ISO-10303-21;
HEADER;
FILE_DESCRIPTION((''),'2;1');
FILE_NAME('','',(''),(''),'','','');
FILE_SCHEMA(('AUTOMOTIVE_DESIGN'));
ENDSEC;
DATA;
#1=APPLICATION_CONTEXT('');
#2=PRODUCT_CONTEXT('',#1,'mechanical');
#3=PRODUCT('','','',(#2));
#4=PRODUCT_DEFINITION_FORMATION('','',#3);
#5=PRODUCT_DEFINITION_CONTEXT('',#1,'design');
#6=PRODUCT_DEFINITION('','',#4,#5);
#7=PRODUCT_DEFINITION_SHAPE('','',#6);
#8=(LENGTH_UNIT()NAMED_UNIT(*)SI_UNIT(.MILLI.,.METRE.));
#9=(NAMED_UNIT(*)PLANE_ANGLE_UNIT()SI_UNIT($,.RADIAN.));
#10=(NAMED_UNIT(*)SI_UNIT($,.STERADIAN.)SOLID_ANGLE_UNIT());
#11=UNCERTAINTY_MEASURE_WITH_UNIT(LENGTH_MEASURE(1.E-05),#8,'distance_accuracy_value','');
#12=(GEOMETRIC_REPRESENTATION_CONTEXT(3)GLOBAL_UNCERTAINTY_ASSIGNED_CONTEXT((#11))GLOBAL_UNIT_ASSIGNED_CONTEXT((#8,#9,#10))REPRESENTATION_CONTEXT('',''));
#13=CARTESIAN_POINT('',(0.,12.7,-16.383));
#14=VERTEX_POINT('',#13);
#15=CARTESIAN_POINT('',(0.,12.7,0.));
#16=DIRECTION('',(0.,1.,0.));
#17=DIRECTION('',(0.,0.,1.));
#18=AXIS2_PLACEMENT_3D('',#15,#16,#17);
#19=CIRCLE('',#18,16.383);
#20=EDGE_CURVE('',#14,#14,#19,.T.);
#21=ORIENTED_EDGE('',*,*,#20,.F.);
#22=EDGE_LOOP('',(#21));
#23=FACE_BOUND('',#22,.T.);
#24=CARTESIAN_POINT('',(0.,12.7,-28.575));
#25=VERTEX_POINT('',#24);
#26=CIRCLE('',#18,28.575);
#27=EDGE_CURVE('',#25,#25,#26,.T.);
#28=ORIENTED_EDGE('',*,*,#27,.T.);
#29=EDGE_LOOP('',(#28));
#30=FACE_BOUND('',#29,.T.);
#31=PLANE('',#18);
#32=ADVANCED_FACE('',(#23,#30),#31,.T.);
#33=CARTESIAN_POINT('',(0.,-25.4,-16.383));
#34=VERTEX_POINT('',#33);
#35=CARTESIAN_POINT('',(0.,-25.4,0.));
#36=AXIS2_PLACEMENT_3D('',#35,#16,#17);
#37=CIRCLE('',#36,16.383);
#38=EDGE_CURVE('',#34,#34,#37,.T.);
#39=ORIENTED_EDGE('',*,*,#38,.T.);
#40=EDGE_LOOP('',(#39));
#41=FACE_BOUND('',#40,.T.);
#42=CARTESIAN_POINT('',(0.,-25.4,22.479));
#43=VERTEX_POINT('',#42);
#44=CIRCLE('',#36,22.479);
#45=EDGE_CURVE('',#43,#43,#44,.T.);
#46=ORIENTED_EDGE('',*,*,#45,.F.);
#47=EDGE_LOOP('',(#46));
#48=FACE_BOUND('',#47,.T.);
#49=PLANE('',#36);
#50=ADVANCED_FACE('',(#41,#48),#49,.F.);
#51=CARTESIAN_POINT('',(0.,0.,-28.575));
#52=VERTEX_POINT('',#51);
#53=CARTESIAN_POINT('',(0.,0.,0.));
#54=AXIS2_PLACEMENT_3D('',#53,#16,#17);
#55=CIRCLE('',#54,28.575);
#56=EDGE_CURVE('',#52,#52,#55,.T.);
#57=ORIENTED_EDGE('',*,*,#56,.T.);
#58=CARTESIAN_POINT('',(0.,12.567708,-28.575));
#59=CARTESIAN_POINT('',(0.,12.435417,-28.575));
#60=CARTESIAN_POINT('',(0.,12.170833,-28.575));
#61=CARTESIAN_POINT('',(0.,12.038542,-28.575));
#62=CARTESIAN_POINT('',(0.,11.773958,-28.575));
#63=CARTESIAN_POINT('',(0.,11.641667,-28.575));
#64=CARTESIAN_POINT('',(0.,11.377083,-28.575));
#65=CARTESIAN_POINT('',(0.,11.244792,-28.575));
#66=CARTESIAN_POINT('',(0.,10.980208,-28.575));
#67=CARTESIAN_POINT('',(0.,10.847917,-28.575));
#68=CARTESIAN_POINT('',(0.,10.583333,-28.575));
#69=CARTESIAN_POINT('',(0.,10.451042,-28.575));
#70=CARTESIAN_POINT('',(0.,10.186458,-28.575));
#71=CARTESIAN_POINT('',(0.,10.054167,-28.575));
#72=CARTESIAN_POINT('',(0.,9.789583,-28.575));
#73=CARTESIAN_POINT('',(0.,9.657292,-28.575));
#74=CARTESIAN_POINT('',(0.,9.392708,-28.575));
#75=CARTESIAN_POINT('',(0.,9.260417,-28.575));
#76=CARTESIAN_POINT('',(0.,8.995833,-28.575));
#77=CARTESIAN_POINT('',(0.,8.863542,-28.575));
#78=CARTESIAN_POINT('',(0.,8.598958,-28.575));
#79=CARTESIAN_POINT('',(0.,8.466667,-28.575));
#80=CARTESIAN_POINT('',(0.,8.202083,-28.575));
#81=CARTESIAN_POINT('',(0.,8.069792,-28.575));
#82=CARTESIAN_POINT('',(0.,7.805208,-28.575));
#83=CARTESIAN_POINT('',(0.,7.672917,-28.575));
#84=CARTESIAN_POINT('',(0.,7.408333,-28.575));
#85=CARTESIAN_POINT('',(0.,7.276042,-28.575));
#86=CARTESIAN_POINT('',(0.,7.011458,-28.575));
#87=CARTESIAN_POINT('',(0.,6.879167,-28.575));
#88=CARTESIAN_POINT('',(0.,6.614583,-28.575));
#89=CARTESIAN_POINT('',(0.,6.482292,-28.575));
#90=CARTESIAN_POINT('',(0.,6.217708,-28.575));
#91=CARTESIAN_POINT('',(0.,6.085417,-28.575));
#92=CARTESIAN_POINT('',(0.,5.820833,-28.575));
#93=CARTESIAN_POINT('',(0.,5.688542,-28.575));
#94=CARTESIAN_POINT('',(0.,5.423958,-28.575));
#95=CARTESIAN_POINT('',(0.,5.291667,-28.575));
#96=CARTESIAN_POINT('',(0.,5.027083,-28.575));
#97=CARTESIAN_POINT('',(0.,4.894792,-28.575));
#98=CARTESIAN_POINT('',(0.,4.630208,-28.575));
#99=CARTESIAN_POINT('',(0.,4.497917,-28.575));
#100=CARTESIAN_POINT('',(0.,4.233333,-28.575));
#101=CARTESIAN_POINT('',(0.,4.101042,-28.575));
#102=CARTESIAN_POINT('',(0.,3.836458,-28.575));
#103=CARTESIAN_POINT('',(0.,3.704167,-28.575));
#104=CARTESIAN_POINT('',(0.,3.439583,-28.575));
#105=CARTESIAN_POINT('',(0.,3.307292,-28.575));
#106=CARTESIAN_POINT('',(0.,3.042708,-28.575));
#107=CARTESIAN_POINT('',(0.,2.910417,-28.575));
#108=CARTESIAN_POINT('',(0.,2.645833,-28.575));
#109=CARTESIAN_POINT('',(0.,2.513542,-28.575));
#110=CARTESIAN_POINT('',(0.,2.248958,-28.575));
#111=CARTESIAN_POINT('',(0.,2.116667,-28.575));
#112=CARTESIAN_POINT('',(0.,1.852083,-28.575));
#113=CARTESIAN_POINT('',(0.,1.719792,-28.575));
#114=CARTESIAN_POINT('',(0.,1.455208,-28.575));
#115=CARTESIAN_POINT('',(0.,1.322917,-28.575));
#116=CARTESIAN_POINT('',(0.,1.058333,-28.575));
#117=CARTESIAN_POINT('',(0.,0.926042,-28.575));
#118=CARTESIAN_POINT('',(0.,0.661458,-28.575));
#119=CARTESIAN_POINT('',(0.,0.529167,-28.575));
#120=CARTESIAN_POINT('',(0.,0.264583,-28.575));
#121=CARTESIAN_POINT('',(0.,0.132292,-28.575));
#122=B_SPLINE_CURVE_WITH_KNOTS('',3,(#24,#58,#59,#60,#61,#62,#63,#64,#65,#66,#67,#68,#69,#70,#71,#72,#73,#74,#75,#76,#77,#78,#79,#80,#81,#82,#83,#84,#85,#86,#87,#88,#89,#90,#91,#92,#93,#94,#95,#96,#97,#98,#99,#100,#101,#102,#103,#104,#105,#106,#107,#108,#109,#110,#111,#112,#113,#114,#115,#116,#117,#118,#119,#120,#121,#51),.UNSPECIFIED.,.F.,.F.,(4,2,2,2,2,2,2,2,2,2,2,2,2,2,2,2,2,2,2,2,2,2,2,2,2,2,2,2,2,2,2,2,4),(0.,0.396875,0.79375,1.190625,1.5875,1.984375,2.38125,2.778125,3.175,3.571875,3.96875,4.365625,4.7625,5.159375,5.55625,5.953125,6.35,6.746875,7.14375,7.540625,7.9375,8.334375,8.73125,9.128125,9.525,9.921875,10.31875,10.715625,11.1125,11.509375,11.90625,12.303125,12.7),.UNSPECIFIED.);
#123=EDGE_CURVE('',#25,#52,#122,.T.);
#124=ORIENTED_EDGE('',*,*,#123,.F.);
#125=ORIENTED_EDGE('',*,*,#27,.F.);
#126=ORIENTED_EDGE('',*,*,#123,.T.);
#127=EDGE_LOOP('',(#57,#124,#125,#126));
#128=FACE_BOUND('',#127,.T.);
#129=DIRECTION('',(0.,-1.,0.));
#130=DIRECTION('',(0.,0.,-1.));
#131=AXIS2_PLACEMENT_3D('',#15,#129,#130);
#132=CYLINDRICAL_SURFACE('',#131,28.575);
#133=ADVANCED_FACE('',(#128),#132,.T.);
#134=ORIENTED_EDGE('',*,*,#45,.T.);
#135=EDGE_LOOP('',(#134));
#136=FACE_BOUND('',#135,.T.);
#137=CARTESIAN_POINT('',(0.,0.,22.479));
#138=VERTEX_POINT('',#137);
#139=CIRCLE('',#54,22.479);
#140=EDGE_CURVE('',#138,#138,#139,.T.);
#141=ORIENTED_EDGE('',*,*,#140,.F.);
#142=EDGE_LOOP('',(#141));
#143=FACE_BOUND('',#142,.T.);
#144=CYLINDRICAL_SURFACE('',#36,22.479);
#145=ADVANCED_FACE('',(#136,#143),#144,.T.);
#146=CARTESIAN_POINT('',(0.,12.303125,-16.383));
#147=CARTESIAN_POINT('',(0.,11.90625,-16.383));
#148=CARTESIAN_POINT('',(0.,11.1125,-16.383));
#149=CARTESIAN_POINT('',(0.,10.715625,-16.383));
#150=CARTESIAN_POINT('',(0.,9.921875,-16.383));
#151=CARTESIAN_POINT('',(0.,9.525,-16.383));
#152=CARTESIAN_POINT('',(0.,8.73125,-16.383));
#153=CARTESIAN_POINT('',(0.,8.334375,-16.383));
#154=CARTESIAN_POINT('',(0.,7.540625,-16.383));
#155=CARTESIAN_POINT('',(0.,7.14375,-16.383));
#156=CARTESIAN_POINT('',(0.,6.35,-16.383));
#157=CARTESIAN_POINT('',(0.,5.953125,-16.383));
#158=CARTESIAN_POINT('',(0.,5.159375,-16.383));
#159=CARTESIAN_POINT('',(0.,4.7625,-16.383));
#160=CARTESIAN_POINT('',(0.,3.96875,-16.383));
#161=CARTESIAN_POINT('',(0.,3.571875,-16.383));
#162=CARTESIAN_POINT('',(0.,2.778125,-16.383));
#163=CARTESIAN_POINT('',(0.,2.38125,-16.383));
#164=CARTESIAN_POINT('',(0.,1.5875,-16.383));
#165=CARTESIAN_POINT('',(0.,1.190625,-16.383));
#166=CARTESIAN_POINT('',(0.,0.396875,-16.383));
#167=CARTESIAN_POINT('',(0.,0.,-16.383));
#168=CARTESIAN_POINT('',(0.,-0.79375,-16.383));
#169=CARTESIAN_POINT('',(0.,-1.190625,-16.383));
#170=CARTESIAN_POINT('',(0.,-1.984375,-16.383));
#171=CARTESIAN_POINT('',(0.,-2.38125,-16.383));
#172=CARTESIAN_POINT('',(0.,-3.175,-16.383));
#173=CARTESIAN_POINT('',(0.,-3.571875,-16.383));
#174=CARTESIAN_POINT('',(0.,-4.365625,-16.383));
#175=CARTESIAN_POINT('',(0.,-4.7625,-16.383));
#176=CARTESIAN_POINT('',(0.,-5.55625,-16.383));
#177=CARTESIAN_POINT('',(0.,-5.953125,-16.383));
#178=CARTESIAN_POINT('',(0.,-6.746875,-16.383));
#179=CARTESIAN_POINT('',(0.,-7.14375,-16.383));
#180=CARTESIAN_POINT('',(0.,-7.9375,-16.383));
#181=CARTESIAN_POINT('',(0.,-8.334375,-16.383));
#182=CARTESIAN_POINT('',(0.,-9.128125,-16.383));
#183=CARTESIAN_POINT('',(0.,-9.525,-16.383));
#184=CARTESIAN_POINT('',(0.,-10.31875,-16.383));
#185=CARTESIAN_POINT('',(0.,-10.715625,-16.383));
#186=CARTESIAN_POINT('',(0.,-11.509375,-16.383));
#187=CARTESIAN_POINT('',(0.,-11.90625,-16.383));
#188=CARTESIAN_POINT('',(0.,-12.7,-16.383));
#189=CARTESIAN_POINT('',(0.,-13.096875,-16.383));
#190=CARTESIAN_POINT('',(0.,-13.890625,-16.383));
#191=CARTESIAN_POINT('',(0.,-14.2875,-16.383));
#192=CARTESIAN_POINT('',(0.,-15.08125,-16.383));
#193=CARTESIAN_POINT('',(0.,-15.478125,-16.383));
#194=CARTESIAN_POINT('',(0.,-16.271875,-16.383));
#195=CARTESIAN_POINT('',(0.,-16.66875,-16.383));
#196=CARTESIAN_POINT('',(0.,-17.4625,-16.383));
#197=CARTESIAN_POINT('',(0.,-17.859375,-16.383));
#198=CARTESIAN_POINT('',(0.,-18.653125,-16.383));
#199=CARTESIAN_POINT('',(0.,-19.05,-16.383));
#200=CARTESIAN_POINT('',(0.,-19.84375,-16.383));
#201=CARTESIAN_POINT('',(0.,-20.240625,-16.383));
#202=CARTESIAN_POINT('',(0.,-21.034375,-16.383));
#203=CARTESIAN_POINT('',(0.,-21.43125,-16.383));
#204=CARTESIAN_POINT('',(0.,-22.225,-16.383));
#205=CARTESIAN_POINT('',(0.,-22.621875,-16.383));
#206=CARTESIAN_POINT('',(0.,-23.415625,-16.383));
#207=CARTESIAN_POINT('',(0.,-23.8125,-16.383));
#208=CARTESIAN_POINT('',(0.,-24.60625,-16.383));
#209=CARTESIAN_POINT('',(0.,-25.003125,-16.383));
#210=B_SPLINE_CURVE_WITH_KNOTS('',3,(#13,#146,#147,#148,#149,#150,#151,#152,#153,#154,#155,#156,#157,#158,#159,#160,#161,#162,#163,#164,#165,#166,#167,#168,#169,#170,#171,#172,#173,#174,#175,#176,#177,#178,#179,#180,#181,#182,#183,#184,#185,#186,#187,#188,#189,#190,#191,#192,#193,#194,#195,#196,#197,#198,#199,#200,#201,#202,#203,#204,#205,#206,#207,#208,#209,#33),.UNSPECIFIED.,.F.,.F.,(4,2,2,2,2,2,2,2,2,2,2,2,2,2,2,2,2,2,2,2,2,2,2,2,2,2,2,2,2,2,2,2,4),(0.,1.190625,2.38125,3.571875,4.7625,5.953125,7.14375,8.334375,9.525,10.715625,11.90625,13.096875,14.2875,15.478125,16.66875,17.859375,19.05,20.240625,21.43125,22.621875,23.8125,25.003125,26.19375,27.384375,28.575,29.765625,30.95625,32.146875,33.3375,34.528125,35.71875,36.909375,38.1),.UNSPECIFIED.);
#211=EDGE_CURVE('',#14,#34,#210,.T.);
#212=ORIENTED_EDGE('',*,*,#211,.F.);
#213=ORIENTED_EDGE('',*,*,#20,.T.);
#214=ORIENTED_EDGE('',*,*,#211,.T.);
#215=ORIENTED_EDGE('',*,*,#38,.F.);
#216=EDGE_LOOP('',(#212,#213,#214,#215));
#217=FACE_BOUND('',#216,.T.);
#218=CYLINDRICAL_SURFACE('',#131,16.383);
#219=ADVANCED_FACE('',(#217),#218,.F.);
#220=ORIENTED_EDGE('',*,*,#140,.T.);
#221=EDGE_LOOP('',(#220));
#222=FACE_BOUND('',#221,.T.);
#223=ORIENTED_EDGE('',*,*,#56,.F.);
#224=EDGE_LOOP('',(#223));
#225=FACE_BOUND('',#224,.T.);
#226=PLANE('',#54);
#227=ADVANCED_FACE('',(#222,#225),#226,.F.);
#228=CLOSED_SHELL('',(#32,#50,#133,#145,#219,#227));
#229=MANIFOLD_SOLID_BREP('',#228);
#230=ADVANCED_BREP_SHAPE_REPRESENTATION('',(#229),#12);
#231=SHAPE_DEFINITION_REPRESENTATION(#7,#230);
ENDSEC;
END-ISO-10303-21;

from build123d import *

# Parameters (mm, degrees)
SKETCH2_R           = 28.575
SKETCH2_R_2         = 16.383
BOSS_EXTRUDE1_DEPTH = 12.7
BOSS_EXTRUDE2_START = -25.4
SKETCH3_R           = 22.479
SKETCH3_R_2         = 16.383
BOSS_EXTRUDE2_DEPTH = 25.4


with BuildPart() as part:
    # Sketch2 → Boss-Extrude1 (new body)
    with BuildSketch(Plane(origin=(0, 0, 0), x_dir=(1, 0, 0), z_dir=(0, 1, 0))):
        with Locations(Location((0, 0, 0), (0, 0, 90))):
            Circle(SKETCH2_R)
        with Locations(Location((0, 0, 0), (0, 0, 90))):
            Circle(SKETCH2_R_2, mode=Mode.SUBTRACT)
    extrude(amount=BOSS_EXTRUDE1_DEPTH)

    # Sketch3 → Boss-Extrude2 (add)
    with BuildSketch(Plane(origin=(0, 0, 0), x_dir=(1, 0, 0), z_dir=(0, 1, 0)).offset(BOSS_EXTRUDE2_START)):
        with Locations(Location((0, 0, 0), (0, 0, 270))):
            Circle(SKETCH3_R)
        with Locations(Location((0, 0, 0), (0, 0, 90))):
            Circle(SKETCH3_R_2, mode=Mode.SUBTRACT)
    extrude(amount=BOSS_EXTRUDE2_DEPTH)


solid = part.part
